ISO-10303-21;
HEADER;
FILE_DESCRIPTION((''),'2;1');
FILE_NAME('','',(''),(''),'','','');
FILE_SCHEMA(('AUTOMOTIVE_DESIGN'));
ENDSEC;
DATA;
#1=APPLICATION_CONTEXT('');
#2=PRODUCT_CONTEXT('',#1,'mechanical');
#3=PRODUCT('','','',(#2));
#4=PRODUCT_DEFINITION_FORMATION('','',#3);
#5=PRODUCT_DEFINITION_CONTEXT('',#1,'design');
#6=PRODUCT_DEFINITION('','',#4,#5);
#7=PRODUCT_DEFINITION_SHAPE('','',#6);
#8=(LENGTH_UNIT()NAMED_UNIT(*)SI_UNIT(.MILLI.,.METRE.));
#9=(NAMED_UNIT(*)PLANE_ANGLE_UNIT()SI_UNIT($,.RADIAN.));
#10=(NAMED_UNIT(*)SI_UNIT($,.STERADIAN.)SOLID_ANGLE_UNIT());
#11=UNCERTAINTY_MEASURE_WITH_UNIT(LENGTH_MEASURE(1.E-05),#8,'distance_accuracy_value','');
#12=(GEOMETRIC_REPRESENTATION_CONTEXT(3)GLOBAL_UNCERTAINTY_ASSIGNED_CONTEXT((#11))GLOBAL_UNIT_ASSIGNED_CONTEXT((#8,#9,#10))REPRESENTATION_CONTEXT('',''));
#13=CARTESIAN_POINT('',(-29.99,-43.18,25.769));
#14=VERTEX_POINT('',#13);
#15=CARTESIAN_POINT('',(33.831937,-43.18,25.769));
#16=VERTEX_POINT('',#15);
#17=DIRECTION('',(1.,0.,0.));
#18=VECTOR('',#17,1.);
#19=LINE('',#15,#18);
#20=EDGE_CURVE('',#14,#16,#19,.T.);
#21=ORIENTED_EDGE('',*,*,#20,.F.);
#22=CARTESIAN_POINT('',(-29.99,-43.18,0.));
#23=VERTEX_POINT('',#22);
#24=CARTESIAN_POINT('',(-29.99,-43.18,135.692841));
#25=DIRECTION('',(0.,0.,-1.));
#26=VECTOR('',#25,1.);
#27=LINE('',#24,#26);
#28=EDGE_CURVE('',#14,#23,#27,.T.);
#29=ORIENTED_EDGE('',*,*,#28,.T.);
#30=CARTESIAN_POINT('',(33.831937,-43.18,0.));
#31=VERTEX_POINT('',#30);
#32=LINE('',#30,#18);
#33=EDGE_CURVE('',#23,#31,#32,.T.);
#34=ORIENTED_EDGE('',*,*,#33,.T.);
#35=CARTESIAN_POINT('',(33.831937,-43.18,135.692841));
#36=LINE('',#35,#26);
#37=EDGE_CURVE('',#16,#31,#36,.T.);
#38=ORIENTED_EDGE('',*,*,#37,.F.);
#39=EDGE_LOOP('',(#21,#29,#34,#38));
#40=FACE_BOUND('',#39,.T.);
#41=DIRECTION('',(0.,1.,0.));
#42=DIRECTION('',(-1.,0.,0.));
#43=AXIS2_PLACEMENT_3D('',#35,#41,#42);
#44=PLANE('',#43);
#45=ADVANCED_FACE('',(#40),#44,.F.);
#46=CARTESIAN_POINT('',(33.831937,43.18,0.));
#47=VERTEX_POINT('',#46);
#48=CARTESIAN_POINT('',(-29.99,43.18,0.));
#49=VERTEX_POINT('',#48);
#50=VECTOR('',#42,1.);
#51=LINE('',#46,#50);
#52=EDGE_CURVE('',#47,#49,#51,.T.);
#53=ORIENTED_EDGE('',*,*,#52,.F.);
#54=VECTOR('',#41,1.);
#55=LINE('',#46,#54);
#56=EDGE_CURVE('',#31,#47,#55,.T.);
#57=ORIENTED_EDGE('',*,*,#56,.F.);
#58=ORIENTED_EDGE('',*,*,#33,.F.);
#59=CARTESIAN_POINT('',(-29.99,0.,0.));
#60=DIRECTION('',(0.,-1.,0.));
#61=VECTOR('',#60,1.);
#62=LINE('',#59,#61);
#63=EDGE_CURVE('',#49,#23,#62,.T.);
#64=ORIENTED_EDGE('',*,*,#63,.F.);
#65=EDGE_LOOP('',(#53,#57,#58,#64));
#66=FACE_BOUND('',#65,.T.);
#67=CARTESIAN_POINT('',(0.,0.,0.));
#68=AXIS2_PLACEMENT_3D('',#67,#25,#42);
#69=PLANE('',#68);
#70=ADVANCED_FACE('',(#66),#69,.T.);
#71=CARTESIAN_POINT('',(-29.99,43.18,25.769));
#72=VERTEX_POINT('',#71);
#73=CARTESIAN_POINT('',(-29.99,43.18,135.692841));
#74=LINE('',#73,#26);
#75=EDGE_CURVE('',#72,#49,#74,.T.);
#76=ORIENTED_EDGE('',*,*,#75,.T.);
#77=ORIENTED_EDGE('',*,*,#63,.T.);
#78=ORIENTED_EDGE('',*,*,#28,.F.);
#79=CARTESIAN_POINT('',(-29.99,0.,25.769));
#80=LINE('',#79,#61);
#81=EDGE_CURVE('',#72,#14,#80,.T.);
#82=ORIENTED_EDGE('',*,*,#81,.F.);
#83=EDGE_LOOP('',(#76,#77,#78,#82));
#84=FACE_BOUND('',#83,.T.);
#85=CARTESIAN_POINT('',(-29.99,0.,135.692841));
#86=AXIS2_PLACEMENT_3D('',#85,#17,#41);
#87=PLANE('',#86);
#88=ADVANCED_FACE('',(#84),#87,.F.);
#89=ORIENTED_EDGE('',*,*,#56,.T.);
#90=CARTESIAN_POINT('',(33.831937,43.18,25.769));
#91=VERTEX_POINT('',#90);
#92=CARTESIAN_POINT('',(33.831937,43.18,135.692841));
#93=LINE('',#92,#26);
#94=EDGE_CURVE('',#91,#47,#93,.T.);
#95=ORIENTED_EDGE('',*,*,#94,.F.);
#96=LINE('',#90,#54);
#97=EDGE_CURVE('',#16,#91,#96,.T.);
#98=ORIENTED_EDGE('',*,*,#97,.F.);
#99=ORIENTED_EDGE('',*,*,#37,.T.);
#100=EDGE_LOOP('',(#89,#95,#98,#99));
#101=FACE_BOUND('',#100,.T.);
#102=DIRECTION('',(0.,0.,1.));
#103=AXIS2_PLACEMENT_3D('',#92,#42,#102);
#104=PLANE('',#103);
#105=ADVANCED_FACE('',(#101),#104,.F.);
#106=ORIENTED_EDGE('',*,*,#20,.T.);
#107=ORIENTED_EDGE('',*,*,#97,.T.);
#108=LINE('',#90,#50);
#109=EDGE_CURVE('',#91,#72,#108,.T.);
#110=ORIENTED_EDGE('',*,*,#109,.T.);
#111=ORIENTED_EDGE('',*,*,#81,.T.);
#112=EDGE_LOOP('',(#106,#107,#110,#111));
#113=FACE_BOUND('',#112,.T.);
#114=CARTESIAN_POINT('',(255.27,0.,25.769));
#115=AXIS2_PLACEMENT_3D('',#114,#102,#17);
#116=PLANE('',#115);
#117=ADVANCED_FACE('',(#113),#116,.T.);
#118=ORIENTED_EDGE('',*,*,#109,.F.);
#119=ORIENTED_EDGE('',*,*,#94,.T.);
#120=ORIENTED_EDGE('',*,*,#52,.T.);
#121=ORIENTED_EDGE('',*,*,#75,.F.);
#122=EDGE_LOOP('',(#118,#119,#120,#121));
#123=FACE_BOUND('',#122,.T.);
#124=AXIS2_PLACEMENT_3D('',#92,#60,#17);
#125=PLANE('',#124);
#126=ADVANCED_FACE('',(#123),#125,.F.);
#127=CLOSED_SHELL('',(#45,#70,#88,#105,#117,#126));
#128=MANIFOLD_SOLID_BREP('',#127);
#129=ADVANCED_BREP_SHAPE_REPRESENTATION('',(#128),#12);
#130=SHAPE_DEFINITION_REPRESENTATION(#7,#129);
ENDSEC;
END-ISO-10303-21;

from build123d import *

# Parameters (mm, degrees)
BOSS_EXTRUDE1_DEPTH = 25.769


with BuildPart() as part:
    # Sketch1 → Boss-Extrude1 (new body)
    with BuildSketch(Plane.XY):
        Polygon((33.831936686, 43.18), (33.831936686, -43.18), (-29.99, -43.18), (-29.99, 0), (-29.99, 43.18), align=None)
    extrude(amount=BOSS_EXTRUDE1_DEPTH)


solid = part.part
